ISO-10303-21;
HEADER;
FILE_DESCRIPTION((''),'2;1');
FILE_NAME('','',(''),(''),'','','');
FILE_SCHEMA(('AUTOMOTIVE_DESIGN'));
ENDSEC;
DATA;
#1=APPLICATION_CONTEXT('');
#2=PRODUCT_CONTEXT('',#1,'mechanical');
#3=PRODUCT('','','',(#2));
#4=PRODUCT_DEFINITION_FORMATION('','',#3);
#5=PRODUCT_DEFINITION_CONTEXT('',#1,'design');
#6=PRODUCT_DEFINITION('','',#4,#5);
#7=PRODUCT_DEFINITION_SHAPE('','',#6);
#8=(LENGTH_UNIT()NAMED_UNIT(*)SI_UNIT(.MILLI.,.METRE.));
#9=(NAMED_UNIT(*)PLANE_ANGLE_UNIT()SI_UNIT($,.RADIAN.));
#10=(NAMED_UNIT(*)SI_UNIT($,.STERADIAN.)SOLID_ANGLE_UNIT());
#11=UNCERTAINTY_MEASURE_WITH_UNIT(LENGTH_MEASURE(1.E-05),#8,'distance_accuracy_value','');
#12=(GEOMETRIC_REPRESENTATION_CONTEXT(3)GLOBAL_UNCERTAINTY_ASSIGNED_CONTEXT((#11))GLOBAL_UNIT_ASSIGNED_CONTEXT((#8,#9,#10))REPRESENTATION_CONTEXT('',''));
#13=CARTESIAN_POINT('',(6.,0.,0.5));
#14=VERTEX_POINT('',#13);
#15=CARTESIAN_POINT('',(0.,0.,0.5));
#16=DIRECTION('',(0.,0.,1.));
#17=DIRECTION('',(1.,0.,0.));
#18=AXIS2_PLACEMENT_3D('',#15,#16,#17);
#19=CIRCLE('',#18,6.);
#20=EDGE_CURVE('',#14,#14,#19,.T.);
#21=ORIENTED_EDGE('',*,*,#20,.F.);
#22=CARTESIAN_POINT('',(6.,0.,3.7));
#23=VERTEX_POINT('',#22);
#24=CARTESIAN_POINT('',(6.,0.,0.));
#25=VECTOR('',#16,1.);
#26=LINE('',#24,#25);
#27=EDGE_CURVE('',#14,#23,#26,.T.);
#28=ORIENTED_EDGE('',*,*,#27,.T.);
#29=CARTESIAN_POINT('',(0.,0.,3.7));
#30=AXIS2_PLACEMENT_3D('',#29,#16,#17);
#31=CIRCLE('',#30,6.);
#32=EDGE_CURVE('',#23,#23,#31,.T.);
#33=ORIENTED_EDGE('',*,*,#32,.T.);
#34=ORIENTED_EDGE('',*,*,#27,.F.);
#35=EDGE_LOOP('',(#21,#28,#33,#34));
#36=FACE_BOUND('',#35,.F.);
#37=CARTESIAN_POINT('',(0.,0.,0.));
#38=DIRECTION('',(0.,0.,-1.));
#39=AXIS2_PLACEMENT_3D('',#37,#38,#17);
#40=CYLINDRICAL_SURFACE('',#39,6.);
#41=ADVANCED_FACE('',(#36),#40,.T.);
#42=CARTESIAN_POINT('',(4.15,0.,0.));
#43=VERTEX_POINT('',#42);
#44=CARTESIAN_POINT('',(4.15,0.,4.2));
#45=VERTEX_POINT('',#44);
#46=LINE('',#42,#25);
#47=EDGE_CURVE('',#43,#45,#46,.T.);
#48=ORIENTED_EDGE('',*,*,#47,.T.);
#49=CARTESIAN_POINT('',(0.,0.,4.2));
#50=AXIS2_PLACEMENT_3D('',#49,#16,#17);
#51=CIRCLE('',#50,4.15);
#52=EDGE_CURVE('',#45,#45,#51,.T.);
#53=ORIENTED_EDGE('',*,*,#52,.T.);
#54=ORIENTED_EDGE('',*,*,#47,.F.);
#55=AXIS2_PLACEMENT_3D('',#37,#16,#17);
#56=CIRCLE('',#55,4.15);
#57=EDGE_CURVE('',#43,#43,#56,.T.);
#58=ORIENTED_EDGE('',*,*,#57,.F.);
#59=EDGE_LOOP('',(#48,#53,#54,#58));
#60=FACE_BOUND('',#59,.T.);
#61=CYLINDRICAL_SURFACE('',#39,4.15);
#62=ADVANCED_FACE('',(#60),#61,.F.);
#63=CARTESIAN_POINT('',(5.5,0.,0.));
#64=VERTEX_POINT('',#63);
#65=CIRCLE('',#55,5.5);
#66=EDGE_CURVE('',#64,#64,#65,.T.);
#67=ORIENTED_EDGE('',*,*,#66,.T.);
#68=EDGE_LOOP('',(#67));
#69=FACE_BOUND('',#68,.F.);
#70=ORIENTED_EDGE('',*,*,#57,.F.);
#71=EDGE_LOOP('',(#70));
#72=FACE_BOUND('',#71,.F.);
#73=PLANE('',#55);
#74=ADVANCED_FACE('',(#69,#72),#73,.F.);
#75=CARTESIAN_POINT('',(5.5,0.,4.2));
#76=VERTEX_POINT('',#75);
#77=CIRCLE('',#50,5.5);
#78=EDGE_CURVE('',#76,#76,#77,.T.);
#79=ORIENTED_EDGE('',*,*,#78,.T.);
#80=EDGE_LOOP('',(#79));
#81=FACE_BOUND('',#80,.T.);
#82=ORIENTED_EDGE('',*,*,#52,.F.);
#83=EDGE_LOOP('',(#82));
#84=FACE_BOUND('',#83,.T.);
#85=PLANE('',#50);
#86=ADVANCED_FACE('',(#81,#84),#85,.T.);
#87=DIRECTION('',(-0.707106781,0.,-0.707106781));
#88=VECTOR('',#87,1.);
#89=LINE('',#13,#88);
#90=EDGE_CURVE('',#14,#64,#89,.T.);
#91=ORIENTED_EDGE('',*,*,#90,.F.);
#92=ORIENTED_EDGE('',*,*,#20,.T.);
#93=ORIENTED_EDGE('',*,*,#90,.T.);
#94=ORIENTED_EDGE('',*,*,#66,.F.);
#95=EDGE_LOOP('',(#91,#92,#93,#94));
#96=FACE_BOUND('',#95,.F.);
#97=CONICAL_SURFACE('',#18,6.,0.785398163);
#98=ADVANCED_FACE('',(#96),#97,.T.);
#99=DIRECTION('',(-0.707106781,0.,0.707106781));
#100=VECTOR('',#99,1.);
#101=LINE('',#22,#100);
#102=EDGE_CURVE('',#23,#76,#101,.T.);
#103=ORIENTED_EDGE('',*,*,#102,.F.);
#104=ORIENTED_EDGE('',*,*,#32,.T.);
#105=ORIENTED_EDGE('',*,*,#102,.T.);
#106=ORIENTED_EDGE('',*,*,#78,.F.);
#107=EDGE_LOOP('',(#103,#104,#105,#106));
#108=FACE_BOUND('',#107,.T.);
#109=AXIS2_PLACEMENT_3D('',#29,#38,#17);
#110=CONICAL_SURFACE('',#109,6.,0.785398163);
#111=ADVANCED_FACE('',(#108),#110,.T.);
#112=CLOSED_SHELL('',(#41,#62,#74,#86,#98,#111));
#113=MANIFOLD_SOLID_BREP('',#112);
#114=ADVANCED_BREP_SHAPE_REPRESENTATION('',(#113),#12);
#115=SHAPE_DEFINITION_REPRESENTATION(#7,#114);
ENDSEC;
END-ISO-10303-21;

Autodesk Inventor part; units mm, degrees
ref_plane "YZ Plane" through (0, 0, 0) normal (1, 0, 0) x (0, 1, 0)
ref_plane "XZ Plane" through (0, 0, 0) normal (0, 1, 0) x (-1, 0, 0)
ref_plane "XY Plane" through (0, 0, 0) normal (0, 0, 1) x (1, 0, 0)
sketch "Sketch1" plane through (0, 0, 0) normal (0, 0, 1) x (1, 0, 0)
  circle A0 centre (0, 0) radius 4.15
  circle A1 centre (0, 0) radius 6
  dimension "d0" = 8.3
  dimension "d1" = 12
extrude "Extrusion1" add sketch "Sketch1" along normal blind 4.2
chamfer "Chamfer1" distance 0.5 angle 45 2 edges at (-6, 0, 4.2) (-6, 0, 0)
properties part number "HD_Spacer"
